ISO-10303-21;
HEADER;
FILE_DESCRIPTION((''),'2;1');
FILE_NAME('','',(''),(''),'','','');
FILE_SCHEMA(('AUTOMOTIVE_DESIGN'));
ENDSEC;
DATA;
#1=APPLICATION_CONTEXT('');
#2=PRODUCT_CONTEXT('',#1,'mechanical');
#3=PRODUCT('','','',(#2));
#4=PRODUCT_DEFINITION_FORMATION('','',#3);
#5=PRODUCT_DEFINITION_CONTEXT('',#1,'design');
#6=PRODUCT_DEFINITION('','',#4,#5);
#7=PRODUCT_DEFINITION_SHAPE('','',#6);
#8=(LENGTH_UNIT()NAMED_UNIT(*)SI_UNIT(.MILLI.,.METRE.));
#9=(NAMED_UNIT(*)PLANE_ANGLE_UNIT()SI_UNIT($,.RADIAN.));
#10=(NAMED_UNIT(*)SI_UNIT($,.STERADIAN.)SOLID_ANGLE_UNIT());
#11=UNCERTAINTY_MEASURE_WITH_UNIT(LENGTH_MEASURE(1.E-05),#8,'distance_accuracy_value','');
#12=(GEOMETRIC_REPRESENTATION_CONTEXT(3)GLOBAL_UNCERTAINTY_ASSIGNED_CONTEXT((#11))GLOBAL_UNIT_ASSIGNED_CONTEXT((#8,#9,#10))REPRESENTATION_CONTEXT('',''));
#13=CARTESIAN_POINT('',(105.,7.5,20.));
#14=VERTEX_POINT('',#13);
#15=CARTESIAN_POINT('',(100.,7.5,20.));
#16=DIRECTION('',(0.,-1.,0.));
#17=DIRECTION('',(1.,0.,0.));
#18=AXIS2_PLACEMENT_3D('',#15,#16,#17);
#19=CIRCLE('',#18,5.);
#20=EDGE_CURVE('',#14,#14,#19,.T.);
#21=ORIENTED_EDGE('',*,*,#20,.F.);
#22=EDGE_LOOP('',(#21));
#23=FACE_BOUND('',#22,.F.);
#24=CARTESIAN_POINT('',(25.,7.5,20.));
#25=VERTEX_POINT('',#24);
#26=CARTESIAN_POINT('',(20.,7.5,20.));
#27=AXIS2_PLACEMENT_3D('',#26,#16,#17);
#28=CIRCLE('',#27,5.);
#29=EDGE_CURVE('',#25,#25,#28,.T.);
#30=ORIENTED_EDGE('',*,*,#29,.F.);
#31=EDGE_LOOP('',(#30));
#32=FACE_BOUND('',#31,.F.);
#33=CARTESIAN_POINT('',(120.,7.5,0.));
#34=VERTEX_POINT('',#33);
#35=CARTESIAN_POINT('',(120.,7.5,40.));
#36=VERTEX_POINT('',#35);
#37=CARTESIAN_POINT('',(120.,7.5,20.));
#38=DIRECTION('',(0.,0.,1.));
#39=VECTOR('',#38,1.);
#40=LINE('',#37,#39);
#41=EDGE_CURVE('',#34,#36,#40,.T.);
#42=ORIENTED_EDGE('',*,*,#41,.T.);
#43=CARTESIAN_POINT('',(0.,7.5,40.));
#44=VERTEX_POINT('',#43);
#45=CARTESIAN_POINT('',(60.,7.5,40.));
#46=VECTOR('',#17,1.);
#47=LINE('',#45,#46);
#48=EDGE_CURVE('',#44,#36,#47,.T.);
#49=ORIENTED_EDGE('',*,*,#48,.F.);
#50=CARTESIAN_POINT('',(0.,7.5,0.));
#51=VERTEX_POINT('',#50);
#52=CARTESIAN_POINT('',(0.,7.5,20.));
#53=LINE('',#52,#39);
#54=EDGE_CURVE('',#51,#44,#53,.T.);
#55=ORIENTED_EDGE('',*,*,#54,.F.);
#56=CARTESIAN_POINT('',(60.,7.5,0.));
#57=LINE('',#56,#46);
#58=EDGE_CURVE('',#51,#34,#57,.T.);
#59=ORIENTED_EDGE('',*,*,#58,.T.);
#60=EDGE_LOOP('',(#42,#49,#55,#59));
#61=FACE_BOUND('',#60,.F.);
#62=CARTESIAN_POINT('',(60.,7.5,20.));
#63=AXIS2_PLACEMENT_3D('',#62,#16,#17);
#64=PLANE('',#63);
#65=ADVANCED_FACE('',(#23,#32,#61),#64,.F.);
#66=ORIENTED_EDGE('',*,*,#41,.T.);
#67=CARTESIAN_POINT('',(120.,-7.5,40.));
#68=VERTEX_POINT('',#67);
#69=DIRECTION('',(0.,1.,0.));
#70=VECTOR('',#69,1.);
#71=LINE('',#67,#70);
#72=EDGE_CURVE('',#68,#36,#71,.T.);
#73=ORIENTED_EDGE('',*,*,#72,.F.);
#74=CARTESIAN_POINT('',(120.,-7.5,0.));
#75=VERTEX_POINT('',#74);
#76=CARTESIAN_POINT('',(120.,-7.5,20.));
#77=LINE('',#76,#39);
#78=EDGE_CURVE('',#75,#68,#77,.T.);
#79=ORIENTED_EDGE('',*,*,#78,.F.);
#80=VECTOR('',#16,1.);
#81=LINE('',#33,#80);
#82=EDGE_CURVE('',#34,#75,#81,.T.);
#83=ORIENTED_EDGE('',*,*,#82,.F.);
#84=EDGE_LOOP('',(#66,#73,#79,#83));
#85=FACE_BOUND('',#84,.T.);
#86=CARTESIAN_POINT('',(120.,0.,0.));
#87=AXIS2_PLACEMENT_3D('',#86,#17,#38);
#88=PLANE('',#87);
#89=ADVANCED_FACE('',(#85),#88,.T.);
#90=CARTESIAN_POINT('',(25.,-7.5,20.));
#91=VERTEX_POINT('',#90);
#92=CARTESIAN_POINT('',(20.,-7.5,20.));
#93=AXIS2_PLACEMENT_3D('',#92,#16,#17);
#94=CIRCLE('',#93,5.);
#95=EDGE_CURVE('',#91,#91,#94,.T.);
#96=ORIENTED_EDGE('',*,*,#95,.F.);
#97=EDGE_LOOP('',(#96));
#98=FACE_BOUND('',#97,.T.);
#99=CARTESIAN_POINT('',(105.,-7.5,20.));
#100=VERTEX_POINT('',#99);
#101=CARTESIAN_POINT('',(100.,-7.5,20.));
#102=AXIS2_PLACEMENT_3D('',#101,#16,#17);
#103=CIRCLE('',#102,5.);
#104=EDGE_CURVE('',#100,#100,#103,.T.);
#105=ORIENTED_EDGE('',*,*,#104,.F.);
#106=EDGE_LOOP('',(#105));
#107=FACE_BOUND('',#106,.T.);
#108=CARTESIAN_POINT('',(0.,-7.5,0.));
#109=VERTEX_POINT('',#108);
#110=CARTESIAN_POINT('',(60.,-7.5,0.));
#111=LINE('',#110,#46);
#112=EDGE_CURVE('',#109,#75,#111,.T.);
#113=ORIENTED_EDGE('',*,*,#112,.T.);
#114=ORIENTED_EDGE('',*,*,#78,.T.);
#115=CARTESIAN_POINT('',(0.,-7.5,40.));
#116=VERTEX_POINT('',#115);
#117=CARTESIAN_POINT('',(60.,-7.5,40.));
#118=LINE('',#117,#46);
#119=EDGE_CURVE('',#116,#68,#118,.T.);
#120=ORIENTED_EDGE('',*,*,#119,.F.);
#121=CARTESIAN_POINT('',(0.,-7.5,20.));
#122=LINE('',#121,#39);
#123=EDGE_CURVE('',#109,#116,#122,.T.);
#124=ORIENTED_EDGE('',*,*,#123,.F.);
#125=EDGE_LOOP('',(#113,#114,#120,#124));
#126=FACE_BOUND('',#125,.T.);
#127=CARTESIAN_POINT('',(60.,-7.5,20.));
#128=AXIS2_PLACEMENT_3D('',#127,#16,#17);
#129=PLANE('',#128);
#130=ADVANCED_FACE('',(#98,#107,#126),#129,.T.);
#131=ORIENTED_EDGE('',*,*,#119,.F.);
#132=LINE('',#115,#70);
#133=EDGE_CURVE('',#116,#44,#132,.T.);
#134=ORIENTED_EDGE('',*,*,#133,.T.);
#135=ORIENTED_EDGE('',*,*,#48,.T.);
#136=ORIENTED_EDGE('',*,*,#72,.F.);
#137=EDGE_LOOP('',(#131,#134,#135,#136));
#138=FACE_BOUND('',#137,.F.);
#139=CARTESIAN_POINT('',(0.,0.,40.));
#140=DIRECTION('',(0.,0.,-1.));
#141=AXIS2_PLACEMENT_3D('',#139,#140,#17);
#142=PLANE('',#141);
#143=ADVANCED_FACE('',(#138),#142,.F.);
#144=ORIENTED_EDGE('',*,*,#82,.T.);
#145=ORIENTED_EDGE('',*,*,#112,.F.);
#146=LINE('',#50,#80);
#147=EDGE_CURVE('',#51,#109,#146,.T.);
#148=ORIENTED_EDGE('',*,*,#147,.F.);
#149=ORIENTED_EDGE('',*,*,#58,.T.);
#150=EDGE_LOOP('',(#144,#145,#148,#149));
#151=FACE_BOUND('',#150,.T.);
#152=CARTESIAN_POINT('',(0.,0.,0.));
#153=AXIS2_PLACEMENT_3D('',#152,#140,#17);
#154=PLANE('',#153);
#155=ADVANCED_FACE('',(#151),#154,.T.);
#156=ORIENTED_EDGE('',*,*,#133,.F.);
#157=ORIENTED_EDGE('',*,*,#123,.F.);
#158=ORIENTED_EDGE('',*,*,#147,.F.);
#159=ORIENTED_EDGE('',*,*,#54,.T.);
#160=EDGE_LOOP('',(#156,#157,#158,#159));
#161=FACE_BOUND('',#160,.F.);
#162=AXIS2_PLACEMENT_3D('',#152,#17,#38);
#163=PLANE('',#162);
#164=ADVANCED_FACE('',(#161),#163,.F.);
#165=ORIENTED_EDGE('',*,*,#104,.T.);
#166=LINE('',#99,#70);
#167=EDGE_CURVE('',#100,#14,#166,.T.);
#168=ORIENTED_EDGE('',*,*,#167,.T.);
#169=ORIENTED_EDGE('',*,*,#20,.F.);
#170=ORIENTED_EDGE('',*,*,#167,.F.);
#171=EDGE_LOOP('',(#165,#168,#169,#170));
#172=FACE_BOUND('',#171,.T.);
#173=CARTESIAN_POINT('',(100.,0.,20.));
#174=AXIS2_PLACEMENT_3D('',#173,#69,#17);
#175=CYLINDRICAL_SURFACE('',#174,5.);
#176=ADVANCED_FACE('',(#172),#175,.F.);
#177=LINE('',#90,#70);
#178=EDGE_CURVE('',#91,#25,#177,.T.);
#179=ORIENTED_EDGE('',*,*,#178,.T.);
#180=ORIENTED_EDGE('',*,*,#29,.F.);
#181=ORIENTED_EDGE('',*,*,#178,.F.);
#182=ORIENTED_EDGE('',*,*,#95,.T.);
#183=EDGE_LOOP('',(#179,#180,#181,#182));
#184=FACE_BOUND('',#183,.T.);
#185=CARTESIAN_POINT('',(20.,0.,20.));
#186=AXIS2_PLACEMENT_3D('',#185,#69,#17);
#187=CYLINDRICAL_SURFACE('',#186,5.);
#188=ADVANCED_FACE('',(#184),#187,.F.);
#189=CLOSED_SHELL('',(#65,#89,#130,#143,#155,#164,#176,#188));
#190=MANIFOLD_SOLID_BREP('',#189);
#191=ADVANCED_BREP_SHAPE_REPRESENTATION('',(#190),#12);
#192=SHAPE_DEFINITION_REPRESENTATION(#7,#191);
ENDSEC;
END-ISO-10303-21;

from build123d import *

# Parameters (mm, degrees)
F0_W     = 120
F0_H     = 40
F0_R     = 5
F1_DEPTH = 7.5


with BuildPart() as f1:
    # F0 (on Front) → F1 (new body, symmetric)
    with BuildSketch(Plane.XZ):
        with Locations((60, 20)):
            Rectangle(F0_W, F0_H)
        with Locations((20, 20)):
            Circle(F0_R, mode=Mode.SUBTRACT)
        with Locations((100, 20)):
            Circle(F0_R, mode=Mode.SUBTRACT)
    extrude(amount=F1_DEPTH, both=True)


solid = f1.part
